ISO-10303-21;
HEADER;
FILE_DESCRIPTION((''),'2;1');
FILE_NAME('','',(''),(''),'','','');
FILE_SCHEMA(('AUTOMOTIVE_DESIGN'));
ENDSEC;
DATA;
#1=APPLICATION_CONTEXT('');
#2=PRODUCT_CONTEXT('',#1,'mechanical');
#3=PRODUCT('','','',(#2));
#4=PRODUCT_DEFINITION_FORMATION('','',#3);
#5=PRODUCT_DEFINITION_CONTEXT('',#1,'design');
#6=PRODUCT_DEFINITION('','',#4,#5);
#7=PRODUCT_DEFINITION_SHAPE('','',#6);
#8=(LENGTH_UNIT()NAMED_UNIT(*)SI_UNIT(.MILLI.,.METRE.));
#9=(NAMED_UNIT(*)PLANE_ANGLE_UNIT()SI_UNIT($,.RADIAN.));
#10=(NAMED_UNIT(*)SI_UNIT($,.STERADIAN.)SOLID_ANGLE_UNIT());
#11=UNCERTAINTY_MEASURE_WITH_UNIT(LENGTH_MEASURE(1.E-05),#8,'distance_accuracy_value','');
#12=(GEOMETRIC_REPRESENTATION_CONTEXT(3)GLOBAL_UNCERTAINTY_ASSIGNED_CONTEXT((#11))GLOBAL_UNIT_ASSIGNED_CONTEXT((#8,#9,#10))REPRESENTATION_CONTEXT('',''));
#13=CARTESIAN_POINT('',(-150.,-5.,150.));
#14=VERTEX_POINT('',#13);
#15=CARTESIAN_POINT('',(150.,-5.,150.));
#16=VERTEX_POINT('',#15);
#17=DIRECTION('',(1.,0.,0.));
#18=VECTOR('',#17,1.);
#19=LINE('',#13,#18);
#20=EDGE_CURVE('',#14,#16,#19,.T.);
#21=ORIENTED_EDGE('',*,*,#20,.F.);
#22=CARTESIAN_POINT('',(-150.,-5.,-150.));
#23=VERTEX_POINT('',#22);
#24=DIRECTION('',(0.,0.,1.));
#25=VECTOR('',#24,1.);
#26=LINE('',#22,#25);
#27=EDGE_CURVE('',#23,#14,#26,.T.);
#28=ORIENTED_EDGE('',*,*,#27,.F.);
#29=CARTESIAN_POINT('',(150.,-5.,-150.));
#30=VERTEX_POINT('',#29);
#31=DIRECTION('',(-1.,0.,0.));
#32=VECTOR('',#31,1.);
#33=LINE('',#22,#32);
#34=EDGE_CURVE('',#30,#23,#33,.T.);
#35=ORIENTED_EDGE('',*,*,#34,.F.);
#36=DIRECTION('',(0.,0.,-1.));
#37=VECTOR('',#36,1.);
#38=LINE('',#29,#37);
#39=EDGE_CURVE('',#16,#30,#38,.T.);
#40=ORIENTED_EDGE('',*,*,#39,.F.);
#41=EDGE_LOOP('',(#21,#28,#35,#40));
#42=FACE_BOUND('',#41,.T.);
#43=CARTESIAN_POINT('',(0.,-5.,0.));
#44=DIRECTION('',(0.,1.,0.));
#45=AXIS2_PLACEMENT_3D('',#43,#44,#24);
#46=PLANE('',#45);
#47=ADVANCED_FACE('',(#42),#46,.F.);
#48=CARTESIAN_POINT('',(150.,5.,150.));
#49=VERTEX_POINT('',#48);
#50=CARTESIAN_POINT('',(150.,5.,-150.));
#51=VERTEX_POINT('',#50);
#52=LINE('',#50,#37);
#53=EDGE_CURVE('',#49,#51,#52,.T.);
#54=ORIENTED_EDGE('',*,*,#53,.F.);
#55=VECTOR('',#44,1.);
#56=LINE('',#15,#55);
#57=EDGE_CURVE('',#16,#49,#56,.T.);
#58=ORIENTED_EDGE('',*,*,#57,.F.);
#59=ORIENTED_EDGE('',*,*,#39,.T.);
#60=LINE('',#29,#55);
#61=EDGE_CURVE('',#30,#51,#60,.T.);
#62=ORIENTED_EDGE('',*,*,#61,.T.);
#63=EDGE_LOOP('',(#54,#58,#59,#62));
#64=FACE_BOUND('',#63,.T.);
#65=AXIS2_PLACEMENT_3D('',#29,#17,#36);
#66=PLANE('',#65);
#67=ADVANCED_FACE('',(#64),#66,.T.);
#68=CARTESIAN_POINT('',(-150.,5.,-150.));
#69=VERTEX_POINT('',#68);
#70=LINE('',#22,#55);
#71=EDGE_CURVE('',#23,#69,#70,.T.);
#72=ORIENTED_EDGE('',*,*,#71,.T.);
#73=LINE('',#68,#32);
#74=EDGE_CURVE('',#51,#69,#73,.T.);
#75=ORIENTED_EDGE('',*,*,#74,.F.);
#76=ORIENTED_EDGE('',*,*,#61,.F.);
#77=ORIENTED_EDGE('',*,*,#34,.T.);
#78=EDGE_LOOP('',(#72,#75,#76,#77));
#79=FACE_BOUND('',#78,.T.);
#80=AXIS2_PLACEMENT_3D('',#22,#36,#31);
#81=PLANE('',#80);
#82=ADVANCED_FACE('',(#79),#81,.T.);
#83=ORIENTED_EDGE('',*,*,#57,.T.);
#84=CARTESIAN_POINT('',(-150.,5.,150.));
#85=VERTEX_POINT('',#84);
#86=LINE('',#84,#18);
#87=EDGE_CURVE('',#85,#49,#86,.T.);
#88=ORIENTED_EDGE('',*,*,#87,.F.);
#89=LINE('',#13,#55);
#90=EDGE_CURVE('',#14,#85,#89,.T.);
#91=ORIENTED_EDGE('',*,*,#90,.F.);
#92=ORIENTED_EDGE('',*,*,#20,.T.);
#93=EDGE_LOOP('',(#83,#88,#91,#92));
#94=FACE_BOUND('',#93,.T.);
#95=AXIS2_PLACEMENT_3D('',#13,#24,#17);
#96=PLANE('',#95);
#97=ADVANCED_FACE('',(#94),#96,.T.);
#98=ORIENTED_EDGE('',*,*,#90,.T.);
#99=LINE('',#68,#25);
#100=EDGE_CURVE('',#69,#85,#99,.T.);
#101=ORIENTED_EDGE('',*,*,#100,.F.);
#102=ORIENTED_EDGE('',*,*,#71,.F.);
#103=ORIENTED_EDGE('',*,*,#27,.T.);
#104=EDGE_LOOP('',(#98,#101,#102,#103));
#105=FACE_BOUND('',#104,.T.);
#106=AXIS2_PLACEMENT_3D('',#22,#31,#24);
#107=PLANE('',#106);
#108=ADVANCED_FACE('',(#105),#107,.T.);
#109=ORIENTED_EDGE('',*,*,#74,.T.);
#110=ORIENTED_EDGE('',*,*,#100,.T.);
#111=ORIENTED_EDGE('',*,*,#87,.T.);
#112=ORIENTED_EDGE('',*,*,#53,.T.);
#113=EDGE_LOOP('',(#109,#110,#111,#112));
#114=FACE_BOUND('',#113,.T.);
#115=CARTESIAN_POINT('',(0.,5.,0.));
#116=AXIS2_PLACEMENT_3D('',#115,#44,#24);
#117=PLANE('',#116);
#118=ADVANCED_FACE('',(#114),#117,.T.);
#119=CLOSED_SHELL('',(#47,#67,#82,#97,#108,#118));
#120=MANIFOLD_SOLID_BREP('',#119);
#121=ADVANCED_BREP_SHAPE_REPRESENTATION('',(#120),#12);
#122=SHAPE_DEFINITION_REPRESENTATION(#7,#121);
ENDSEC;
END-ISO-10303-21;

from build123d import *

# Parameters (mm, degrees)
SKETCH1_W           = 300
SKETCH1_H           = 300
BOSS_EXTRUDE1_DEPTH = 5


with BuildPart() as part:
    # Sketch1 → Boss-Extrude1 (new body, symmetric)
    with BuildSketch(Plane(origin=(0, 0, 0), x_dir=(1, 0, 0), z_dir=(0, 1, 0))):
        Rectangle(SKETCH1_W, SKETCH1_H)
    extrude(amount=BOSS_EXTRUDE1_DEPTH, both=True)


solid = part.part
